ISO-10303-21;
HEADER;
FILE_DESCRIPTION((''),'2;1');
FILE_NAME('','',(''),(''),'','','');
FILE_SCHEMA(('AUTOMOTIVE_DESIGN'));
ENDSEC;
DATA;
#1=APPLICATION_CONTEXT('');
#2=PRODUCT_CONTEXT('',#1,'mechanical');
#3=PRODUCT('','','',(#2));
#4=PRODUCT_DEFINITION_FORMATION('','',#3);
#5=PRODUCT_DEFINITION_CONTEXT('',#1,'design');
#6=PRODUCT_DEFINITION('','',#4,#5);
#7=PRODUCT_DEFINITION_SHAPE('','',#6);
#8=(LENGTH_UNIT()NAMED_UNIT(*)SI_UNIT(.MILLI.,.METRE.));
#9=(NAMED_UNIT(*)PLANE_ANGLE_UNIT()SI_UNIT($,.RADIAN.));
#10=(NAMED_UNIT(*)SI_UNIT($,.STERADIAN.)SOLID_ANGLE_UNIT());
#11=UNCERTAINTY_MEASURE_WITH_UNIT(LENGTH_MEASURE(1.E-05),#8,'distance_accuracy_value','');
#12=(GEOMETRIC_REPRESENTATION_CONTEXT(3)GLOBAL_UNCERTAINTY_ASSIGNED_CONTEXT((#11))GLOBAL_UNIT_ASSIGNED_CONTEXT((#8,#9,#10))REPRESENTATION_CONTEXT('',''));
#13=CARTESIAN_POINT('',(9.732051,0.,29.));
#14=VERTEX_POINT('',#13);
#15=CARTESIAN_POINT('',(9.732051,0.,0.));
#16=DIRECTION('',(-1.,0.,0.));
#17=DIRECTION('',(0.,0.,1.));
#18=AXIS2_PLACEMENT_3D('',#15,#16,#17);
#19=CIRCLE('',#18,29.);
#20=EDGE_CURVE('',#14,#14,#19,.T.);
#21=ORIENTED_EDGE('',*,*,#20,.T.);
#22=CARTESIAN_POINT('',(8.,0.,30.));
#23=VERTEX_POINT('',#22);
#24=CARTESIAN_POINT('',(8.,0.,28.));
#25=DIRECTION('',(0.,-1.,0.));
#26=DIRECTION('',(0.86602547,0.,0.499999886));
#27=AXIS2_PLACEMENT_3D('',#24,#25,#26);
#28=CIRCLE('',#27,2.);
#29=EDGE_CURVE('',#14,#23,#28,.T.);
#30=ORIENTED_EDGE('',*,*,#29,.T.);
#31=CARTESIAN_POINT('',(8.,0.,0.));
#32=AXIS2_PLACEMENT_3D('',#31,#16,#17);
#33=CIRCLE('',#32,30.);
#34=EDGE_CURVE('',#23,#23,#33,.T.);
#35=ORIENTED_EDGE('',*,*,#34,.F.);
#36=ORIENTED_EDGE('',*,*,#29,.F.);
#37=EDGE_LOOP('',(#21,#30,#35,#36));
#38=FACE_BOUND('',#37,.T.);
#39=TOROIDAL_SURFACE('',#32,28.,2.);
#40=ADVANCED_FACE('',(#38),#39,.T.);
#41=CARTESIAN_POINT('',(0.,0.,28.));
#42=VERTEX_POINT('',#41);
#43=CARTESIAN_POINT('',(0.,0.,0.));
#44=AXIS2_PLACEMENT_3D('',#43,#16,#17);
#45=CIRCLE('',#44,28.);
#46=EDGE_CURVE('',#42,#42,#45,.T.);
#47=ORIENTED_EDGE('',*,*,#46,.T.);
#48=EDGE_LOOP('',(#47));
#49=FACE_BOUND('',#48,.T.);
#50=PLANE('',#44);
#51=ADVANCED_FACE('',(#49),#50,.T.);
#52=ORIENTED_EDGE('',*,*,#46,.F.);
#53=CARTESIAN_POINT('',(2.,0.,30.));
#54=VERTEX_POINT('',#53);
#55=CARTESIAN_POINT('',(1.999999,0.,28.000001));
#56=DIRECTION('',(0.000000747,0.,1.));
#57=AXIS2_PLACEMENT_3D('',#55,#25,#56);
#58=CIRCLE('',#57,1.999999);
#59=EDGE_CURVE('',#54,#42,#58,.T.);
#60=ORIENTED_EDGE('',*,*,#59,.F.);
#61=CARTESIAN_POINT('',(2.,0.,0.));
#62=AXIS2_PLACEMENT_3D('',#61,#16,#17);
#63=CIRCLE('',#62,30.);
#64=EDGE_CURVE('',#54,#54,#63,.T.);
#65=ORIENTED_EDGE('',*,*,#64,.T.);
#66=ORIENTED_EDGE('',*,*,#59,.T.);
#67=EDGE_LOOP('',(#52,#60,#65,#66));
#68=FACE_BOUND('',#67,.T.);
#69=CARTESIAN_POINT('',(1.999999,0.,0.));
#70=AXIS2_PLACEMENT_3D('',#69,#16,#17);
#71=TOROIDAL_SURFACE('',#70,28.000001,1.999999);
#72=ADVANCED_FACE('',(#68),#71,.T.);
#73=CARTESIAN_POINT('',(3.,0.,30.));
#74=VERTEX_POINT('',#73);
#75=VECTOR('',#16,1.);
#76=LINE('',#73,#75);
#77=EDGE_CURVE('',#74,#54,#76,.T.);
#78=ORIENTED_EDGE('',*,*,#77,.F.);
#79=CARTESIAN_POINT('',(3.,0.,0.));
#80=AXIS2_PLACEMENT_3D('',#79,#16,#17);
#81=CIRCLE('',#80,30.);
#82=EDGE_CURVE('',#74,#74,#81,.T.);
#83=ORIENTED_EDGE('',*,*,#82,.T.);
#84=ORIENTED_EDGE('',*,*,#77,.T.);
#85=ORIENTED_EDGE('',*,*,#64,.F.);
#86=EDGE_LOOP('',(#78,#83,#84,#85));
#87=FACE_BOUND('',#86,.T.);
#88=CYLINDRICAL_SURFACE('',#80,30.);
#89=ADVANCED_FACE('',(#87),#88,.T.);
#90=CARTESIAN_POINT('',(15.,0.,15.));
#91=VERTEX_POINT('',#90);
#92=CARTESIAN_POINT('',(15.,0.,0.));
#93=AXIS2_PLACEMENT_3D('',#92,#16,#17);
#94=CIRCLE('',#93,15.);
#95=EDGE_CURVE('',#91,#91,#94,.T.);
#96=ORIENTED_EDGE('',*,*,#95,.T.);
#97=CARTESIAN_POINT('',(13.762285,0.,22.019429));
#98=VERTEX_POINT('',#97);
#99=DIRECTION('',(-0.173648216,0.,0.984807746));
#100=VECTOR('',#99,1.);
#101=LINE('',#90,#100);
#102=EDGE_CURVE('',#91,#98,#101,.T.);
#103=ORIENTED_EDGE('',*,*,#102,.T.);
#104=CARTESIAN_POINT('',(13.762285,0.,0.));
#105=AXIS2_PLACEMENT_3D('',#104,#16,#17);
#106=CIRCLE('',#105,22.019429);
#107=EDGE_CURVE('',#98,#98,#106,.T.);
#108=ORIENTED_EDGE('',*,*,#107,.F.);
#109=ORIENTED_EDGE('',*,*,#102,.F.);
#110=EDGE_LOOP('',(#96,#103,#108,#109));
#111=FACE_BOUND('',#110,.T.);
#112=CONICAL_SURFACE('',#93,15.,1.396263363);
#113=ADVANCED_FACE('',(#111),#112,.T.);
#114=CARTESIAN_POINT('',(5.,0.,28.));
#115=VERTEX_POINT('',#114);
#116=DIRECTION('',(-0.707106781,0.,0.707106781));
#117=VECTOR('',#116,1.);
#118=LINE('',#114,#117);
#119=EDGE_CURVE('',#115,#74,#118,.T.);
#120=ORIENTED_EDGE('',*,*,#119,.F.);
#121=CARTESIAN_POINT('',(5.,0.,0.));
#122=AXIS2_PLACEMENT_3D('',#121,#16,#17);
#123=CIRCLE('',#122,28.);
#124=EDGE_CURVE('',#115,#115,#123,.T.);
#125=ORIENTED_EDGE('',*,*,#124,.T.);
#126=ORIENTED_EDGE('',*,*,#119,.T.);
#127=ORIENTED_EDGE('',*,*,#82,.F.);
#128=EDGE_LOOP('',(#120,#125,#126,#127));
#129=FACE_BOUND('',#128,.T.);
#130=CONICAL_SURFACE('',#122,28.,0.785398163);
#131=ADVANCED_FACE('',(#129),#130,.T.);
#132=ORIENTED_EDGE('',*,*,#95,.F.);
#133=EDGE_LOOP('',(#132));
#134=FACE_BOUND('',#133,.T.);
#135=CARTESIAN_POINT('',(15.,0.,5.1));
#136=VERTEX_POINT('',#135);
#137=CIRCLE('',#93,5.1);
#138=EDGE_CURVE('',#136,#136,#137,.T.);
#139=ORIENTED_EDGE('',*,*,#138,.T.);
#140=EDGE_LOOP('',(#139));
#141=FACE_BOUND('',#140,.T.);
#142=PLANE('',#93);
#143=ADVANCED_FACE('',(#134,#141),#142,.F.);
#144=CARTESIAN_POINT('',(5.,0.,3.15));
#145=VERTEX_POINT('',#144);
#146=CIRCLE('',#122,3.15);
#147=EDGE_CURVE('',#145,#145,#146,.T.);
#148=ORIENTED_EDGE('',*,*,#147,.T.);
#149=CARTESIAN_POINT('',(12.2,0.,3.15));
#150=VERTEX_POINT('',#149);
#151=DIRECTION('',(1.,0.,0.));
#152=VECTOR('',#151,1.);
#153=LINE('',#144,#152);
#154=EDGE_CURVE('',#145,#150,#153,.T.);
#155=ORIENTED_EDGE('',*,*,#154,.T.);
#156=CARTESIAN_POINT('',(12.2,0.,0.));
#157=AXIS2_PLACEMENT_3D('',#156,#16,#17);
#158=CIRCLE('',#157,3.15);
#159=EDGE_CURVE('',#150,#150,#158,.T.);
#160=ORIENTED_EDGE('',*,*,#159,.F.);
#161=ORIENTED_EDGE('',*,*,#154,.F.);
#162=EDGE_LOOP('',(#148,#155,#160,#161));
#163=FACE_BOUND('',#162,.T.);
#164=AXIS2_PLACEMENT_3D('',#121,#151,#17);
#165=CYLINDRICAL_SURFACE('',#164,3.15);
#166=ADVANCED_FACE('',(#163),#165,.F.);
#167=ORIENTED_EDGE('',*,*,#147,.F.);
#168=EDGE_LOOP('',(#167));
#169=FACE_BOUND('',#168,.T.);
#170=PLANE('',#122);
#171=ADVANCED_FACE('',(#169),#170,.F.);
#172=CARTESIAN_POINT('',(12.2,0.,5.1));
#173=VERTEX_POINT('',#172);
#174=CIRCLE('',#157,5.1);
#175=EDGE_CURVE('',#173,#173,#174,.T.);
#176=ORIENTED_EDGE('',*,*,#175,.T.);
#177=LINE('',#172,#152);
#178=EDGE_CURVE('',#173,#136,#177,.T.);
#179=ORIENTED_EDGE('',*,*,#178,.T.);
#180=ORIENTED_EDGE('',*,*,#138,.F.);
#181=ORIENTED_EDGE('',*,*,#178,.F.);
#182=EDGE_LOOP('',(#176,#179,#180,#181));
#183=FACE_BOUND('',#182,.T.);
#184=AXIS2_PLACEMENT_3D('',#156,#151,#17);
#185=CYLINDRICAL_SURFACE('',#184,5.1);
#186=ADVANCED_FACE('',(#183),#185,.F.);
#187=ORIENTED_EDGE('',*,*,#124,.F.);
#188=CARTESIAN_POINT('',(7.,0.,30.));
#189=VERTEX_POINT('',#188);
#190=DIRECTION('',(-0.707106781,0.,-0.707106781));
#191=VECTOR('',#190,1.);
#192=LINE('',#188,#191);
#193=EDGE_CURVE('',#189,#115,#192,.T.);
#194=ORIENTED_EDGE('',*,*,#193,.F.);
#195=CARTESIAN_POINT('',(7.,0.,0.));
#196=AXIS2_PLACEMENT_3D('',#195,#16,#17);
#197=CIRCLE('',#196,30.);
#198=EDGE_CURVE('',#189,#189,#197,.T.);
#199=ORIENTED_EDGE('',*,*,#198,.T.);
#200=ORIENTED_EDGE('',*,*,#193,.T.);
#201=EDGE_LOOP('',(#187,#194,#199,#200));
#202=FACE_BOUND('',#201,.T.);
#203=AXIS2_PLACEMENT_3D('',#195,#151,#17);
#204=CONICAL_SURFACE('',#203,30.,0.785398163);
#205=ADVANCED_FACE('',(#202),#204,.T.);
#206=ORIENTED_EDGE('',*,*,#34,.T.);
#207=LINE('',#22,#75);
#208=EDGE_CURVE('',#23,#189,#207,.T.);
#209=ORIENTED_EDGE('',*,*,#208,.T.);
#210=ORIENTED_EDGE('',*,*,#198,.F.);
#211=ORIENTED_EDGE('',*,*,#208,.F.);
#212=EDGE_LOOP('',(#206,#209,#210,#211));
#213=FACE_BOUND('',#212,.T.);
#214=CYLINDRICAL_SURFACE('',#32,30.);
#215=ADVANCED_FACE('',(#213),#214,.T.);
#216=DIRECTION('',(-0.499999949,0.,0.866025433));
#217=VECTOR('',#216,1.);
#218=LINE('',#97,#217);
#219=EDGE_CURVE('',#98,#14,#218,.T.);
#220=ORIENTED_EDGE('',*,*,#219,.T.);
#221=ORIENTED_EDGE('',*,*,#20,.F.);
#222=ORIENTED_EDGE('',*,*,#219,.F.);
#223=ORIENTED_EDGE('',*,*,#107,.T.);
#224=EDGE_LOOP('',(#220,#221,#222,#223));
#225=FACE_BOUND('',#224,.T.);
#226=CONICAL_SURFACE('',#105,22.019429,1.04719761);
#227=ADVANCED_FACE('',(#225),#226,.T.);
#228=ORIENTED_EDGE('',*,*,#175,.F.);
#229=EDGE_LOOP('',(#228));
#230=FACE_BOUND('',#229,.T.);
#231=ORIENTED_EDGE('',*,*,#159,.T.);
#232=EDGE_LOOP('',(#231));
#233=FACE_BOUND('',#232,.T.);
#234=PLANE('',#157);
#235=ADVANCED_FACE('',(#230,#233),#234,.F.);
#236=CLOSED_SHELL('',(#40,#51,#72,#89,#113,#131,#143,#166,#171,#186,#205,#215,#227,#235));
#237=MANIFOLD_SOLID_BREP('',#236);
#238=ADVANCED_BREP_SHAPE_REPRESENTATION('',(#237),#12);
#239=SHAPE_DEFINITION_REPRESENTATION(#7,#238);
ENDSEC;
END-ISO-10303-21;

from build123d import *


with BuildPart() as f1:
    # F0 (on Front) → F1 (revolve)
    with BuildSketch(Plane.XZ):
        with BuildLine():
            Line((0, 28), (0, 0))
            Line((0, 0), (5, 0))
            Line((5, 0), (5, 3.15))
            Line((5, 3.15), (12.2, 3.15))
            Line((12.2, 3.15), (12.2, 5.1))
            Line((12.2, 5.1), (15, 5.1))
            Line((15, 5.1), (15, 15))
            Line((15, 15), (13.762285, 22.019429))
            Line((13.762285, 22.019429), (9.732051, 29))
            ThreePointArc((9.732051, 29), (9, 29.732051), (8, 30))
            Line((8, 30), (7, 30))
            Line((7, 30), (5, 28))
            Line((5, 28), (3, 30))
            Line((3, 30), (2, 30))
            ThreePointArc((2, 30), (0.585786, 29.414214), (0, 28))
        make_face()
    revolve(axis=Axis((2.5, 0, 0), (-1, 0, 0)))


solid = f1.part
